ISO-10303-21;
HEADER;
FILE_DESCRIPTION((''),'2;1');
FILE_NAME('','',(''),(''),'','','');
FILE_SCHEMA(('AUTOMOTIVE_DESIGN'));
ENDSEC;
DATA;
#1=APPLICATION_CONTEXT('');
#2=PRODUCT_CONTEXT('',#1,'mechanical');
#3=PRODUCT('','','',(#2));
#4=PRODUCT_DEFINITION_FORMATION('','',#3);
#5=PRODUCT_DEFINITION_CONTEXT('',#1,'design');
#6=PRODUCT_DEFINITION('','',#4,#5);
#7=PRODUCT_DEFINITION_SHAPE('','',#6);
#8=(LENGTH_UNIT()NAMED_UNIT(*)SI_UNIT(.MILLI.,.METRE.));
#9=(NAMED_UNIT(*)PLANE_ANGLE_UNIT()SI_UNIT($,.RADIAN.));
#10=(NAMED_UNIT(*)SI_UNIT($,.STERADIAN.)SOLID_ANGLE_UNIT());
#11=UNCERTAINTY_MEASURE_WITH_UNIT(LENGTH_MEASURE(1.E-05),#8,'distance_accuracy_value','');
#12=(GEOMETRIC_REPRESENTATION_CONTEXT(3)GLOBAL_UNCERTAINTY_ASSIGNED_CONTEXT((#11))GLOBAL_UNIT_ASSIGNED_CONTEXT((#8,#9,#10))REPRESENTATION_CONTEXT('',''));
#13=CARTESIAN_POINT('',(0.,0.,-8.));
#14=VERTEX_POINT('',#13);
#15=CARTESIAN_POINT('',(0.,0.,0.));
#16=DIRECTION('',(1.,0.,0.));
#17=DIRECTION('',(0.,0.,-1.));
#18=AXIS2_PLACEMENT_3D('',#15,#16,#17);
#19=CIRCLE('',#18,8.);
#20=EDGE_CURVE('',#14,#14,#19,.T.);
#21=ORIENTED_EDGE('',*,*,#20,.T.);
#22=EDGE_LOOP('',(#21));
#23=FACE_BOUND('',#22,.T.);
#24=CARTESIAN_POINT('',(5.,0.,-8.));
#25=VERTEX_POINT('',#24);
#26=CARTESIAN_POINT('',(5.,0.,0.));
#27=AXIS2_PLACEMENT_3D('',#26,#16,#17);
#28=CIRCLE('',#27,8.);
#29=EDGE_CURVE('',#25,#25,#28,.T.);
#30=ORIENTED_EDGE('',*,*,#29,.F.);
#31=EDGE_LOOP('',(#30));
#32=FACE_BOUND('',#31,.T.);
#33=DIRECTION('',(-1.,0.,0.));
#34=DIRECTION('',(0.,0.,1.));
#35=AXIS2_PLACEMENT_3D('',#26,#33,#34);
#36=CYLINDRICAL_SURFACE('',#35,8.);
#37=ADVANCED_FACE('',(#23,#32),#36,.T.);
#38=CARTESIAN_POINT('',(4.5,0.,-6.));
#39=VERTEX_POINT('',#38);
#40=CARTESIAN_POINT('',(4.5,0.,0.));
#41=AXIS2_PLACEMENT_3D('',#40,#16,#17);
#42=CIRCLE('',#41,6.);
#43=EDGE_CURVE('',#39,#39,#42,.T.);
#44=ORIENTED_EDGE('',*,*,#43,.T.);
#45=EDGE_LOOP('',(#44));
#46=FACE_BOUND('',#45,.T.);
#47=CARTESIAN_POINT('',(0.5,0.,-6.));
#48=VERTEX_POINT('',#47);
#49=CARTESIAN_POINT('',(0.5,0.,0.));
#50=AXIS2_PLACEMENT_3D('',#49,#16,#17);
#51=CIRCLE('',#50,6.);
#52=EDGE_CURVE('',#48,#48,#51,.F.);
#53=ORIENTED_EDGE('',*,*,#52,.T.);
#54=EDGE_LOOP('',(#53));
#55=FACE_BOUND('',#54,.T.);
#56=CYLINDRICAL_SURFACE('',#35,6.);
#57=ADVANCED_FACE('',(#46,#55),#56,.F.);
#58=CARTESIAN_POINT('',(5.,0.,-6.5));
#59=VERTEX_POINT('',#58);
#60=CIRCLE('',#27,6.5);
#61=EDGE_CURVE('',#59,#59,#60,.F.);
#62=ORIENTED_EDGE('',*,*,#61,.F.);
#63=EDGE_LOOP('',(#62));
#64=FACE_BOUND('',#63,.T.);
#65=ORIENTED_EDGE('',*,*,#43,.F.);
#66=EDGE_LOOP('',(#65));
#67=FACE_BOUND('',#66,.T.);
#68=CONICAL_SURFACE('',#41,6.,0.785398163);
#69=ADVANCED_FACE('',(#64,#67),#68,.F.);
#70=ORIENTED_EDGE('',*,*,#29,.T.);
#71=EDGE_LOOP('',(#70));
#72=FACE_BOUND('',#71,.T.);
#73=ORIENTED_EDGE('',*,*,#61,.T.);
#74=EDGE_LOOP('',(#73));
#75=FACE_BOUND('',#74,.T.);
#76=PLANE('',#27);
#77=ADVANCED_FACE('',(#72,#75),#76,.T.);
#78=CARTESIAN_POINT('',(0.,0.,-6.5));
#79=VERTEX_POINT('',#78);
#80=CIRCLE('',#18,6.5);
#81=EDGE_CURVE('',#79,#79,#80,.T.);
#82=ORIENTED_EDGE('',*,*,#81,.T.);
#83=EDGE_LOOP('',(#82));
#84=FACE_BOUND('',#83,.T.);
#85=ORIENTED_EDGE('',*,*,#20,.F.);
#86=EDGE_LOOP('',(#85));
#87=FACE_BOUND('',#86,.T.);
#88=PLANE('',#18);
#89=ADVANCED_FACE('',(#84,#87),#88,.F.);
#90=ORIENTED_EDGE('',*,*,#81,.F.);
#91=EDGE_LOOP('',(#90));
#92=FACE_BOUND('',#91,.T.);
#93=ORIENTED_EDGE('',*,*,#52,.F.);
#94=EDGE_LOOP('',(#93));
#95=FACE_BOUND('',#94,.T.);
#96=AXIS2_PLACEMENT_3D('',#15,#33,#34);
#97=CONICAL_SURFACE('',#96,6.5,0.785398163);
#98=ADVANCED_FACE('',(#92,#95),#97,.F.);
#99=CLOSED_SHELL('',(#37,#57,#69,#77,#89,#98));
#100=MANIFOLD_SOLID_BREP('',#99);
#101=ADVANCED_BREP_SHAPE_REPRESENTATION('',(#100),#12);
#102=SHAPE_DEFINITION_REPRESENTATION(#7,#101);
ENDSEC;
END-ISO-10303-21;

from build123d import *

# Parameters (mm, degrees)
SZKIC1_R                    = 8
SZKIC1_R_2                  = 6
DODANIE_WYCI_GNI_CIE1_DEPTH = 5
SFAZOWANIE1_SIZE            = 0.5


with BuildPart() as part:
    # Szkic1 → Dodanie-wyciągnięcie1 (new body)
    with BuildSketch(Plane(origin=(0, 0, 0), x_dir=(0, 0, -1), z_dir=(1, 0, 0))):
        Circle(SZKIC1_R)
        Circle(SZKIC1_R_2, mode=Mode.SUBTRACT)
    extrude(amount=DODANIE_WYCI_GNI_CIE1_DEPTH)

    # Sfazowanie1
    sfazowanie1_edges = [part.edges().sort_by_distance(p)[0] for p in [
        (0, 0, 6),
        (5, 0, 6),
    ]]
    chamfer(sfazowanie1_edges, length=SFAZOWANIE1_SIZE)


solid = part.part
